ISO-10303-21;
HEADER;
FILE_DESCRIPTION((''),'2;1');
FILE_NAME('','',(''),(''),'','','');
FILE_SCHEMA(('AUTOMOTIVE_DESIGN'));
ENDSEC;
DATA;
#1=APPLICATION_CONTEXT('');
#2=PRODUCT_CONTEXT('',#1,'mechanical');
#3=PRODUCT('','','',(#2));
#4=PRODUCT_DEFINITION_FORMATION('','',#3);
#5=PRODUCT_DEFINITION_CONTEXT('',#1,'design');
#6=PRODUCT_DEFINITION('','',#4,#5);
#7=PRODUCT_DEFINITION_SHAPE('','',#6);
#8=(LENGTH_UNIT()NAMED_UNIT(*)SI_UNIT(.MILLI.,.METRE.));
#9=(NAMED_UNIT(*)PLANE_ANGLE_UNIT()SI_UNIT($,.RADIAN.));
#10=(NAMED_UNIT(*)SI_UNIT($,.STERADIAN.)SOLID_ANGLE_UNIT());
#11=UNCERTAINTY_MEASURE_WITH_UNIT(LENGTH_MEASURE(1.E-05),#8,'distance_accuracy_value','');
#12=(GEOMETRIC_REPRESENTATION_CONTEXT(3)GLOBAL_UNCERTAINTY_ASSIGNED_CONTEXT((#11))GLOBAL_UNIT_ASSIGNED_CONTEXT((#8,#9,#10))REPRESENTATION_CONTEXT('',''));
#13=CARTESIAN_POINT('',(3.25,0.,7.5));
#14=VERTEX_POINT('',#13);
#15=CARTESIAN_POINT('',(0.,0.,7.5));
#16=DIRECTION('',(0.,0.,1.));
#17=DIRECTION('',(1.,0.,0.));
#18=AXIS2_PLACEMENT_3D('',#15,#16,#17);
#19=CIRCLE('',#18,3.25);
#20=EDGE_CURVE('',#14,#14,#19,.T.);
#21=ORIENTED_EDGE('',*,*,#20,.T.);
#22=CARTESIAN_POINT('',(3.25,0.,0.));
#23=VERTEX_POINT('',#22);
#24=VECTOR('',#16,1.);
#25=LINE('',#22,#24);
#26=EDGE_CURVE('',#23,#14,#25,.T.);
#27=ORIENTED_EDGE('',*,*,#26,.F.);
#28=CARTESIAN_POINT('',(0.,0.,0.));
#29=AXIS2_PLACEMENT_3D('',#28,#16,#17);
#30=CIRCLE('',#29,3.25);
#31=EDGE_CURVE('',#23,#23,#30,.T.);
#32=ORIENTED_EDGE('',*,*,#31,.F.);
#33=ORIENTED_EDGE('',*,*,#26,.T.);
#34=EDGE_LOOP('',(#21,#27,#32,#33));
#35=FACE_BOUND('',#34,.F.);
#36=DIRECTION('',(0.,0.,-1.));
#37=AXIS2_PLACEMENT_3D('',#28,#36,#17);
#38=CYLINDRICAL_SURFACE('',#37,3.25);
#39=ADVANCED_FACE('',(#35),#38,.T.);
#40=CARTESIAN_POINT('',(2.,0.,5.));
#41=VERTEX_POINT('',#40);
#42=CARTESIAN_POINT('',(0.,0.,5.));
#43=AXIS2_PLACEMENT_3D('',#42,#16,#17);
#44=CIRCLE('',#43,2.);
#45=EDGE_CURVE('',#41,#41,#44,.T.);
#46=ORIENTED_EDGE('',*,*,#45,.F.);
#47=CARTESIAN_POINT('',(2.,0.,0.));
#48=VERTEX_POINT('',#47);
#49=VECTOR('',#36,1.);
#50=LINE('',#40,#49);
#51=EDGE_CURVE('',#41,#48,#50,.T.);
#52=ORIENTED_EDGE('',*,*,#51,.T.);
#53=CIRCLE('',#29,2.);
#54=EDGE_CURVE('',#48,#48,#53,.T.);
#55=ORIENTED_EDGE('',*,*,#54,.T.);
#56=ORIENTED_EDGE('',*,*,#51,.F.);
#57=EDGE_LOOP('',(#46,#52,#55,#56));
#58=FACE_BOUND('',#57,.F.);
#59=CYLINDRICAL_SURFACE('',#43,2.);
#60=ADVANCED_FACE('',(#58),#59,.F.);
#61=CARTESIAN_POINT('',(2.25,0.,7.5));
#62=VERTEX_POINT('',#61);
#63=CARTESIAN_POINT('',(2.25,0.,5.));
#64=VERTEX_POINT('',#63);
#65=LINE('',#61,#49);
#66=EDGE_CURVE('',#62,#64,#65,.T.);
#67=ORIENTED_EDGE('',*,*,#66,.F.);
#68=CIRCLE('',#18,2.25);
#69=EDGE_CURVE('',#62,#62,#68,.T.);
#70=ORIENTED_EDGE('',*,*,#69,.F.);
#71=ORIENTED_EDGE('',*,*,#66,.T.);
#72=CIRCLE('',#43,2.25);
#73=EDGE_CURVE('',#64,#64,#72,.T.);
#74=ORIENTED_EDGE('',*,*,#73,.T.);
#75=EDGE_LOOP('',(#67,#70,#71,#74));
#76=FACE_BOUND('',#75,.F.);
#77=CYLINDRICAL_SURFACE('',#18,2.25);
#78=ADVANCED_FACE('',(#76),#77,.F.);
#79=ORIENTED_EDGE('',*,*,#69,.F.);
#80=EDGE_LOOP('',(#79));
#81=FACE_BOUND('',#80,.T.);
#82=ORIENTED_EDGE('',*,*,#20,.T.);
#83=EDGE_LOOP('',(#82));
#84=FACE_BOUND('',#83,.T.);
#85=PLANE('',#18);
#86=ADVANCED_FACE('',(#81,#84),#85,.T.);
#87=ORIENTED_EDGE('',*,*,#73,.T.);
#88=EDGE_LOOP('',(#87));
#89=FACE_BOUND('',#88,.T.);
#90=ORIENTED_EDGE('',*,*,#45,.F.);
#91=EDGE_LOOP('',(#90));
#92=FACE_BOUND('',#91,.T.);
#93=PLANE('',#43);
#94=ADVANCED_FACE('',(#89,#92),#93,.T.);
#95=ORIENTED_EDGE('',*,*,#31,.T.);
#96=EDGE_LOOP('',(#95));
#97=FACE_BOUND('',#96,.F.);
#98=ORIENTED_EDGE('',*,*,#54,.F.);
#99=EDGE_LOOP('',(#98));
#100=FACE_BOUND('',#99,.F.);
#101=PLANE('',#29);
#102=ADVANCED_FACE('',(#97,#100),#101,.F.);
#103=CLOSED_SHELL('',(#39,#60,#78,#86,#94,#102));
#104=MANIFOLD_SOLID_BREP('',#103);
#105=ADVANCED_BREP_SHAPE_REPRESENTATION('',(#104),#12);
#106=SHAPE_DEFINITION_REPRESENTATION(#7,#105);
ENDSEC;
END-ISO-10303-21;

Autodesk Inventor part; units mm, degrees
ref_plane "YZ Plane" through (0, 0, 0) normal (1, 0, 0) x (0, 1, 0)
ref_plane "XZ Plane" through (0, 0, 0) normal (0, 1, 0) x (-1, 0, 0)
ref_plane "XY Plane" through (0, 0, 0) normal (0, 0, 1) x (1, 0, 0)
sketch "Esboço1" plane through (0, 0, 0) normal (0, 0, 1) x (1, 0, 0)
  circle A0 centre (0, 0) radius 3.25
  dimension "d0" = 6.5
extrude "Extrusão1" add sketch "Esboço1" along normal blind 7.5
sketch "Esboço2" plane through (0, 0, 7.5) normal (0, 0, 1) x (1, 0, 0)
  circle A0 centre (0, 0) radius 2.25
  dimension "d3" = 4.5
extrude "Extrusão2" cut sketch "Esboço2" against normal blind 2.5
sketch "Esboço3" plane through (0, 0, 5) normal (0, 0, 1) x (1, 0, 0)
  circle A0 centre (0, 0) radius 2
  dimension "d6" = 4
extrude "Extrusão3" cut sketch "Esboço3" against normal blind 7
properties part number "travaRODA_3DPrint"
